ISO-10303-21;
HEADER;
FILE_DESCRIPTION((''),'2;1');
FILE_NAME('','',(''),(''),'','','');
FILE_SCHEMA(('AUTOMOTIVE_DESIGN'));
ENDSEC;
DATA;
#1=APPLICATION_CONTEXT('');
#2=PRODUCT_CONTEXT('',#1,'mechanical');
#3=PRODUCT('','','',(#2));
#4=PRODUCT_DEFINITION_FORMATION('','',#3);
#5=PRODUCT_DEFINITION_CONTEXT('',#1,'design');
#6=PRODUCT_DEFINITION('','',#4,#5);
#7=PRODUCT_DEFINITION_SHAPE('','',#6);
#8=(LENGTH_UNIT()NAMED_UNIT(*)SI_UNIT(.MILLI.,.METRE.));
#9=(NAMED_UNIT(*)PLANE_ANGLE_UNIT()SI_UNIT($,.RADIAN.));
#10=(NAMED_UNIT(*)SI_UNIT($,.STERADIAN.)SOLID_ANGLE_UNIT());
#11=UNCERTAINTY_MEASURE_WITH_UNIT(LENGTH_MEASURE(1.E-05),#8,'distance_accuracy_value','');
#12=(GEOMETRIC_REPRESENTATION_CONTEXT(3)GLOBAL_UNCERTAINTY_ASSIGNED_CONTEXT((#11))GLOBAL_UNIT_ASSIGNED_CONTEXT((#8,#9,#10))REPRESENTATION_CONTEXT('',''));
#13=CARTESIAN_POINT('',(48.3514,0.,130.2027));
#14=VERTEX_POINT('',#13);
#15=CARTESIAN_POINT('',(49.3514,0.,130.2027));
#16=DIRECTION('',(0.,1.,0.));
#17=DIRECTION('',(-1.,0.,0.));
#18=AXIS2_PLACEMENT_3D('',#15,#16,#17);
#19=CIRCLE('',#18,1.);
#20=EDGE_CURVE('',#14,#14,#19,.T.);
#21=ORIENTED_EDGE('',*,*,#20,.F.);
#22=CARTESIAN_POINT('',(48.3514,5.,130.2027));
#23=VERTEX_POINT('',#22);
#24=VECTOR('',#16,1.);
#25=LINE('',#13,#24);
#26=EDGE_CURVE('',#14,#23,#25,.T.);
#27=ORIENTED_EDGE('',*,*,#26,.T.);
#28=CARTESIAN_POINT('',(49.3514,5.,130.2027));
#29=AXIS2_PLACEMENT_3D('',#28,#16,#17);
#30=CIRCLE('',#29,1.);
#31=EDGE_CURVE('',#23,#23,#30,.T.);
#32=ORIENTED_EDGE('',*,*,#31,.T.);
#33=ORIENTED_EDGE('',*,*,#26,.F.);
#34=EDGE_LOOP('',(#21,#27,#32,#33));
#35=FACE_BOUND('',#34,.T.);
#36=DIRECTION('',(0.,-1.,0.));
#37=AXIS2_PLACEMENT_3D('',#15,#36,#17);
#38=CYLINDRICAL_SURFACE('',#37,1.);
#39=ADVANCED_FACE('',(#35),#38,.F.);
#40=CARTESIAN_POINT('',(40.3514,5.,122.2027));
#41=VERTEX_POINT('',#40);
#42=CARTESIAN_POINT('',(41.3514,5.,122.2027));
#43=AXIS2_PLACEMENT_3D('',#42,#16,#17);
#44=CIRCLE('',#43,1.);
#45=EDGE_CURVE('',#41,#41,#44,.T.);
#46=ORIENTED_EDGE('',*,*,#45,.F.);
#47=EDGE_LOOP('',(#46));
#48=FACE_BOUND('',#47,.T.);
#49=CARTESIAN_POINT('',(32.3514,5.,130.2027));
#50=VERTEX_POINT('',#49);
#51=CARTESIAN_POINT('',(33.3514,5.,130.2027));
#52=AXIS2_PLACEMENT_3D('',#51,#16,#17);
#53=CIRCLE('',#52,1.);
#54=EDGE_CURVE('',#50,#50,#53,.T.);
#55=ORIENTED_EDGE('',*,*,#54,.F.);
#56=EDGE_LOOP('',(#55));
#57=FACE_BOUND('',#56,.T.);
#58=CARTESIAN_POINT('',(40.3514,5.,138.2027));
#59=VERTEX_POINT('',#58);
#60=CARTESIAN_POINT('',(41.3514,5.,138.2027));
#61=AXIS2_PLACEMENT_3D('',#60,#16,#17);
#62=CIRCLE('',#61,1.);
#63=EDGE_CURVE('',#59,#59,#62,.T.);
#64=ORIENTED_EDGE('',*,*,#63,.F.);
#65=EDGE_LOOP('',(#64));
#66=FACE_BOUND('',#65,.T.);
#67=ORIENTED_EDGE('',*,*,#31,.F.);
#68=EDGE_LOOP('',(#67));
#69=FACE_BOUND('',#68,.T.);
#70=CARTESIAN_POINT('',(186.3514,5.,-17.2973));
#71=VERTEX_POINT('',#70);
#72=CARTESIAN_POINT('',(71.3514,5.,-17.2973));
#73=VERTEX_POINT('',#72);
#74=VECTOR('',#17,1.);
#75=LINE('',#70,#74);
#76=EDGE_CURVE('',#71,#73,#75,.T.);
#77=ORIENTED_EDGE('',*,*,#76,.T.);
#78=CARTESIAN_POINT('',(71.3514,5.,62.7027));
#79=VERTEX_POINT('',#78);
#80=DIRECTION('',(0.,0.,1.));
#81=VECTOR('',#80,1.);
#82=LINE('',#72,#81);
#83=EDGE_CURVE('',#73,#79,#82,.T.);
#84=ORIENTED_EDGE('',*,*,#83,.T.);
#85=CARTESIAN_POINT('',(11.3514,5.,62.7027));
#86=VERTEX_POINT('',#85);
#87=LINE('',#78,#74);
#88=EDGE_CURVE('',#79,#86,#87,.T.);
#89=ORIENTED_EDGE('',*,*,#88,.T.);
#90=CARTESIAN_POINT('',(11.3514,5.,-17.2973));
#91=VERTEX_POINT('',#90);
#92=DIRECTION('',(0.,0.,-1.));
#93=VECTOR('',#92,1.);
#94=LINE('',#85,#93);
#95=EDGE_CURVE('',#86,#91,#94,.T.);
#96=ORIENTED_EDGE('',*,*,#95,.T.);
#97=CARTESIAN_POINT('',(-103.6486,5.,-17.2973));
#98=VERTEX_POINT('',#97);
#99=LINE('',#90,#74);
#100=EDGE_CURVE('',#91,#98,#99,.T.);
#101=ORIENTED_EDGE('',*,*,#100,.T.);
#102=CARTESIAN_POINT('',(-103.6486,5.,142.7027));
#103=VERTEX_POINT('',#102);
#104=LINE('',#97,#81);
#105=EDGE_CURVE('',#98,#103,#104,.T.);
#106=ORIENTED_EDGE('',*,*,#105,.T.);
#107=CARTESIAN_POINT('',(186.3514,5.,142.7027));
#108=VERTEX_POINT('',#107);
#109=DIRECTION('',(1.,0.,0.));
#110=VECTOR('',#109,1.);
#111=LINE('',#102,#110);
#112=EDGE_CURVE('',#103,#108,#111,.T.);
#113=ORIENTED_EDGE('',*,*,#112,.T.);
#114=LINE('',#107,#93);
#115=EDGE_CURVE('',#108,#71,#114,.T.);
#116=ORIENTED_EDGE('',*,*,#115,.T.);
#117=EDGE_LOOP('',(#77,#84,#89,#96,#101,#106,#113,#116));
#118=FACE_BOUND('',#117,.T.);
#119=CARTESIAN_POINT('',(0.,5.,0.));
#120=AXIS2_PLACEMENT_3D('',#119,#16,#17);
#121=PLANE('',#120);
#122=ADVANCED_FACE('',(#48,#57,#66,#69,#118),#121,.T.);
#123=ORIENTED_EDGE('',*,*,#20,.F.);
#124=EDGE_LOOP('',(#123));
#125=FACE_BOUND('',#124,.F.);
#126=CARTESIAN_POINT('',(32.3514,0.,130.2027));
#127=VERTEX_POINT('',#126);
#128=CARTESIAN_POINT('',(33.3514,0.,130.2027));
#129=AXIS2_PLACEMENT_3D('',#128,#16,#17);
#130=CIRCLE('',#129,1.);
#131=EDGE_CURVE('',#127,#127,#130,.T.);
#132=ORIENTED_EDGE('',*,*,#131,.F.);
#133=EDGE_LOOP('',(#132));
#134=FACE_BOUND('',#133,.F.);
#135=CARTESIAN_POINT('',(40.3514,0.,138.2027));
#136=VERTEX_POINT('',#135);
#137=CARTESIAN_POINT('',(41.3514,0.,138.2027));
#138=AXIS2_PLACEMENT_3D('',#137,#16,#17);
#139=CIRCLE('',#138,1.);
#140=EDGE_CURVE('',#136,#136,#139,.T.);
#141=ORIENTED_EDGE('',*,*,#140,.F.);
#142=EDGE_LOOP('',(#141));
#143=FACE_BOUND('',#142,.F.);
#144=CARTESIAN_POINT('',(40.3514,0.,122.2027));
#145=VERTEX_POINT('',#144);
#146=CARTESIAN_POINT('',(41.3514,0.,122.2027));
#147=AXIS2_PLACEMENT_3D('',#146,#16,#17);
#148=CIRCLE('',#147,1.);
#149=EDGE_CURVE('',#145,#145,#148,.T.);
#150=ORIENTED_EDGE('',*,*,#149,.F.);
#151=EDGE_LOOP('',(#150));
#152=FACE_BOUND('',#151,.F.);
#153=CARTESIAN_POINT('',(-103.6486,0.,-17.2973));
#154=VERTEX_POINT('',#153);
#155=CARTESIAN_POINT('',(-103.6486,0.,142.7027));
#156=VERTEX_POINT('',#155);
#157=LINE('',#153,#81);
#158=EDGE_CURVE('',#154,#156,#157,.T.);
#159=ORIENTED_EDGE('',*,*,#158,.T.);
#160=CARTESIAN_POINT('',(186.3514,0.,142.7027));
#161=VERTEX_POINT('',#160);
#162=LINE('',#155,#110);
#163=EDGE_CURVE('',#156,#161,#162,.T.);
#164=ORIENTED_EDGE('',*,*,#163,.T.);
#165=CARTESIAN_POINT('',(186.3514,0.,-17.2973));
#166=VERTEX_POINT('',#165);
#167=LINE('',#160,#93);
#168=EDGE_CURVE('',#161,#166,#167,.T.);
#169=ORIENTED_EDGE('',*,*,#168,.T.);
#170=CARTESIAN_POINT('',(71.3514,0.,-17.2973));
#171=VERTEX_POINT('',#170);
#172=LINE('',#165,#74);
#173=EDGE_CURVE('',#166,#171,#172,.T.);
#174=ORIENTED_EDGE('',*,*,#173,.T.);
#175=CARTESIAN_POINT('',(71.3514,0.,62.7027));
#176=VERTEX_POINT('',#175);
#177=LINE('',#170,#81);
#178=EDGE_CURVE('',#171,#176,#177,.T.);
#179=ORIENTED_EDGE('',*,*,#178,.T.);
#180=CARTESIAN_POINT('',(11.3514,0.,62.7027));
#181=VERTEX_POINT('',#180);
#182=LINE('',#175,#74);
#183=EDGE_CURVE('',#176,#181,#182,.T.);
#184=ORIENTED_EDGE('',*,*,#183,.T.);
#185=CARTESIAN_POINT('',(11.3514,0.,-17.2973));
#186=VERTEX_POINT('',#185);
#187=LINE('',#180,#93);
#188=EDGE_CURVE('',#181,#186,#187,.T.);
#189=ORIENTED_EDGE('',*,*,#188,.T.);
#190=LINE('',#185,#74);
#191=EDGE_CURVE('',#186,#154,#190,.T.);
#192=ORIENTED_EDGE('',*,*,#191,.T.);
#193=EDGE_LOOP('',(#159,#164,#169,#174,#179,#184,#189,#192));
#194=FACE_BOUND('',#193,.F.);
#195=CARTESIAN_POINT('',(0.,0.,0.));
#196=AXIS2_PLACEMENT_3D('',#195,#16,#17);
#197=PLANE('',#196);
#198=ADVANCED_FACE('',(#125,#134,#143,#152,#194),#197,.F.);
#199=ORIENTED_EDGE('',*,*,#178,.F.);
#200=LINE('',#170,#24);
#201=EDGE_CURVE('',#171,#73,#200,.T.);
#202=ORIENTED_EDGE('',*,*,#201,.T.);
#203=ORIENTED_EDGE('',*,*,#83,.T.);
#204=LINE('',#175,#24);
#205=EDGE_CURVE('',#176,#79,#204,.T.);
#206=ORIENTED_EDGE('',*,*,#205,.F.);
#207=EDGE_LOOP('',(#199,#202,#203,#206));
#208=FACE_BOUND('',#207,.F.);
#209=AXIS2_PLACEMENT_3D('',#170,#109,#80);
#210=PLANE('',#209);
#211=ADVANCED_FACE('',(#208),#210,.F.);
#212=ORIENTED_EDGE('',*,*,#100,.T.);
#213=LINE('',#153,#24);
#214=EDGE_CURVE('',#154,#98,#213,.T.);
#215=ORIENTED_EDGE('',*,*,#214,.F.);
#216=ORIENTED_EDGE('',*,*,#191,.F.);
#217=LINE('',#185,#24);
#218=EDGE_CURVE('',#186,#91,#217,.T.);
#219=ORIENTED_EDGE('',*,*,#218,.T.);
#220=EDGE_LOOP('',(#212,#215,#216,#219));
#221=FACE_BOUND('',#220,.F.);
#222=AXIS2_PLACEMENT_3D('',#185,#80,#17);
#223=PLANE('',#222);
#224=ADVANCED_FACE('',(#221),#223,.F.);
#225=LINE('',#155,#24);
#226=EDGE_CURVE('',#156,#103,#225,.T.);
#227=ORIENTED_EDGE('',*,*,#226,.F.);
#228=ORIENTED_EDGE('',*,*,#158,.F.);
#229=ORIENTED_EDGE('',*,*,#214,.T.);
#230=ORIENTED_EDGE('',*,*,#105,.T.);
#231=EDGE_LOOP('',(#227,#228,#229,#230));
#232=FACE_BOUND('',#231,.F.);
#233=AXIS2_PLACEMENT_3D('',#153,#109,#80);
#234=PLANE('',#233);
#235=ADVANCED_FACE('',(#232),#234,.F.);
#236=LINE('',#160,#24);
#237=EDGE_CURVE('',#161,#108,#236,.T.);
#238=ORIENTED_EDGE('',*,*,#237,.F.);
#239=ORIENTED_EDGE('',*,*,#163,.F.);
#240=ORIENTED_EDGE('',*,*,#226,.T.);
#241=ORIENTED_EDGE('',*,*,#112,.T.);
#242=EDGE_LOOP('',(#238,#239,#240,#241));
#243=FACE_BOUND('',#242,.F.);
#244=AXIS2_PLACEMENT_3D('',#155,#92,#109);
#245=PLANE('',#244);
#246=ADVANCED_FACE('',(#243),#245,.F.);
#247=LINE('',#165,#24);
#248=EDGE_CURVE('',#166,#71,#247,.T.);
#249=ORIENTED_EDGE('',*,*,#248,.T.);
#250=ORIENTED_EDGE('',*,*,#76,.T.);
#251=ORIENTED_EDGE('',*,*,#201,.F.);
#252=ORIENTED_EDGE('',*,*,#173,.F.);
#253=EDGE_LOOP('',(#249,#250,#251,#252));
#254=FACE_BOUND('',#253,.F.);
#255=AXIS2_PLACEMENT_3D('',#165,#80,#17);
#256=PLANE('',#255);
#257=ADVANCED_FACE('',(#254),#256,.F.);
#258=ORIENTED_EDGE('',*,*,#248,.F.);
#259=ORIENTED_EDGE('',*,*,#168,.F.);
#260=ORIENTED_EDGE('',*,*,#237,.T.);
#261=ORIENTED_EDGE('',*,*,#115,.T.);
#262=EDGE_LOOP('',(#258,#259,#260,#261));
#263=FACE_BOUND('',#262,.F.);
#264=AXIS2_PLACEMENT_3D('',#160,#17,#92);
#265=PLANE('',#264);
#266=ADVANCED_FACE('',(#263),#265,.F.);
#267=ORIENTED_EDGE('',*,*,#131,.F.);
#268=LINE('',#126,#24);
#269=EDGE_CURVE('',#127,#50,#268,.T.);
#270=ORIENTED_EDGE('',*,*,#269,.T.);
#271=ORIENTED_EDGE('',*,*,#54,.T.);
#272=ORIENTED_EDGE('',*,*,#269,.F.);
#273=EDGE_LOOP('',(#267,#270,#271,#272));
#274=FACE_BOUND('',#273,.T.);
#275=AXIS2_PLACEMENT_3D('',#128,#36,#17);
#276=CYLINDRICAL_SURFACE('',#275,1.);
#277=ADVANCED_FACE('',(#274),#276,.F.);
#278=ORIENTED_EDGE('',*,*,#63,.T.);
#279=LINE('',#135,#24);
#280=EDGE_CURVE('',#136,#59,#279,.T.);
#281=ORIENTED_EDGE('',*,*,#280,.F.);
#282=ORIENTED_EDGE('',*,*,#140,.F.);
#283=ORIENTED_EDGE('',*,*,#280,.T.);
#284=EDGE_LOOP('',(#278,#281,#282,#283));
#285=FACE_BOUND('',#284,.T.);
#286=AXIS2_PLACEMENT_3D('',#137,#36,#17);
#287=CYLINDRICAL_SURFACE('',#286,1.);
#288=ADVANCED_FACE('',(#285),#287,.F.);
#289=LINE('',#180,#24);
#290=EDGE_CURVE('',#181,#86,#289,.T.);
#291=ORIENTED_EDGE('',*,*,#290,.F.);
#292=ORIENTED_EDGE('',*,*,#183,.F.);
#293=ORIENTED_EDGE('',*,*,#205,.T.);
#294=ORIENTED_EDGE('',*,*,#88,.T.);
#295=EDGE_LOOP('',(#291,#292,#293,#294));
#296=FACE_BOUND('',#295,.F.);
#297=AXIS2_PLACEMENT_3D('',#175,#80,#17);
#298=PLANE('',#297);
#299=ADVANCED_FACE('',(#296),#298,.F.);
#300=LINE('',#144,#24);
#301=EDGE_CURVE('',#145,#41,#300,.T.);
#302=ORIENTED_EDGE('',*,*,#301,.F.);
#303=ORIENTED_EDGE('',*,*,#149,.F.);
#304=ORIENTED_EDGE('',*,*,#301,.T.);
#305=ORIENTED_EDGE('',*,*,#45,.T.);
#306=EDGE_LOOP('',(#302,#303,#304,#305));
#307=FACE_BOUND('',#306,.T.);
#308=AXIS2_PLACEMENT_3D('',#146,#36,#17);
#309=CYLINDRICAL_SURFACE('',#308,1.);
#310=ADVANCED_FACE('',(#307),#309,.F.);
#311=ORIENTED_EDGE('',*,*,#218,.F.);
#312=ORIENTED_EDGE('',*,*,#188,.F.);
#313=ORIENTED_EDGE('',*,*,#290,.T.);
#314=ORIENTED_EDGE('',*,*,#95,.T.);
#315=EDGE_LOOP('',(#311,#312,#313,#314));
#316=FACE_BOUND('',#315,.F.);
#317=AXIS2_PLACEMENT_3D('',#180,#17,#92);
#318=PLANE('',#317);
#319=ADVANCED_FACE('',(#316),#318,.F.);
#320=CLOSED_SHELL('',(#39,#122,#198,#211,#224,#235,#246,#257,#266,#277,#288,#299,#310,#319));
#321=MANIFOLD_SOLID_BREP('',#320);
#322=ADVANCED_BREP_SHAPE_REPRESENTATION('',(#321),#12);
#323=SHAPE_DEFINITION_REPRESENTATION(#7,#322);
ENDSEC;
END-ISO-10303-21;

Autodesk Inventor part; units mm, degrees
ref_plane "YZ Plane" through (0, 0, 0) normal (1, 0, 0) x (0, 1, 0)
ref_plane "XZ Plane" through (0, 0, 0) normal (0, 1, 0) x (-1, 0, 0)
ref_plane "XY Plane" through (0, 0, 0) normal (0, 0, 1) x (1, 0, 0)
sketch "Sketch1" plane through (0, 0, 0) normal (0, 1, 0) x (-1, 0, 0)
  line L0 (103.6486, 142.7027) -> (-186.3514, 142.7027)
  line L1 (-186.3514, 142.7027) -> (-186.3514, -17.2973)
  line L2 (103.6486, -17.2973) -> (103.6486, 142.7027)
  circle A0 centre (-41.3514, 138.2027) radius 1
  circle A1 centre (-41.3514, 122.2027) radius 1
  circle A2 centre (-33.3514, 130.2027) radius 1
  circle A3 centre (-49.3514, 130.2027) radius 1
  line L3 (-186.3514, -17.2973) -> (-71.3514, -17.2973)
  line L4 (-71.3514, -17.2973) -> (-71.3514, 62.7027)
  line L5 (-71.3514, 62.7027) -> (-11.3514, 62.7027)
  line L6 (-11.3514, 62.7027) -> (-11.3514, -17.2973)
  line L7 (-11.3514, -17.2973) -> (103.6486, -17.2973)
  point P0 (0, 0)
  dimension "d0" = 290
  dimension "d1" = 160
  dimension "d2" = 4.5
  dimension "d3" = 2
  dimension "d5" = 2
  dimension "d6" = 16
  dimension "d8" = 2
  dimension "d9" = 2
  dimension "d10" = 8
  dimension "d11" = 8
  dimension "d12" = 8
  dimension "d13" = 8
  dimension "d16" = 145
  dimension "d17" = 145
  dimension "d18" = 60
  dimension "d19" = 115
  dimension "d20" = 80
extrude "Extrusion1" add sketch "Sketch1" along normal blind 5
properties part number "etage_support_minerai"
